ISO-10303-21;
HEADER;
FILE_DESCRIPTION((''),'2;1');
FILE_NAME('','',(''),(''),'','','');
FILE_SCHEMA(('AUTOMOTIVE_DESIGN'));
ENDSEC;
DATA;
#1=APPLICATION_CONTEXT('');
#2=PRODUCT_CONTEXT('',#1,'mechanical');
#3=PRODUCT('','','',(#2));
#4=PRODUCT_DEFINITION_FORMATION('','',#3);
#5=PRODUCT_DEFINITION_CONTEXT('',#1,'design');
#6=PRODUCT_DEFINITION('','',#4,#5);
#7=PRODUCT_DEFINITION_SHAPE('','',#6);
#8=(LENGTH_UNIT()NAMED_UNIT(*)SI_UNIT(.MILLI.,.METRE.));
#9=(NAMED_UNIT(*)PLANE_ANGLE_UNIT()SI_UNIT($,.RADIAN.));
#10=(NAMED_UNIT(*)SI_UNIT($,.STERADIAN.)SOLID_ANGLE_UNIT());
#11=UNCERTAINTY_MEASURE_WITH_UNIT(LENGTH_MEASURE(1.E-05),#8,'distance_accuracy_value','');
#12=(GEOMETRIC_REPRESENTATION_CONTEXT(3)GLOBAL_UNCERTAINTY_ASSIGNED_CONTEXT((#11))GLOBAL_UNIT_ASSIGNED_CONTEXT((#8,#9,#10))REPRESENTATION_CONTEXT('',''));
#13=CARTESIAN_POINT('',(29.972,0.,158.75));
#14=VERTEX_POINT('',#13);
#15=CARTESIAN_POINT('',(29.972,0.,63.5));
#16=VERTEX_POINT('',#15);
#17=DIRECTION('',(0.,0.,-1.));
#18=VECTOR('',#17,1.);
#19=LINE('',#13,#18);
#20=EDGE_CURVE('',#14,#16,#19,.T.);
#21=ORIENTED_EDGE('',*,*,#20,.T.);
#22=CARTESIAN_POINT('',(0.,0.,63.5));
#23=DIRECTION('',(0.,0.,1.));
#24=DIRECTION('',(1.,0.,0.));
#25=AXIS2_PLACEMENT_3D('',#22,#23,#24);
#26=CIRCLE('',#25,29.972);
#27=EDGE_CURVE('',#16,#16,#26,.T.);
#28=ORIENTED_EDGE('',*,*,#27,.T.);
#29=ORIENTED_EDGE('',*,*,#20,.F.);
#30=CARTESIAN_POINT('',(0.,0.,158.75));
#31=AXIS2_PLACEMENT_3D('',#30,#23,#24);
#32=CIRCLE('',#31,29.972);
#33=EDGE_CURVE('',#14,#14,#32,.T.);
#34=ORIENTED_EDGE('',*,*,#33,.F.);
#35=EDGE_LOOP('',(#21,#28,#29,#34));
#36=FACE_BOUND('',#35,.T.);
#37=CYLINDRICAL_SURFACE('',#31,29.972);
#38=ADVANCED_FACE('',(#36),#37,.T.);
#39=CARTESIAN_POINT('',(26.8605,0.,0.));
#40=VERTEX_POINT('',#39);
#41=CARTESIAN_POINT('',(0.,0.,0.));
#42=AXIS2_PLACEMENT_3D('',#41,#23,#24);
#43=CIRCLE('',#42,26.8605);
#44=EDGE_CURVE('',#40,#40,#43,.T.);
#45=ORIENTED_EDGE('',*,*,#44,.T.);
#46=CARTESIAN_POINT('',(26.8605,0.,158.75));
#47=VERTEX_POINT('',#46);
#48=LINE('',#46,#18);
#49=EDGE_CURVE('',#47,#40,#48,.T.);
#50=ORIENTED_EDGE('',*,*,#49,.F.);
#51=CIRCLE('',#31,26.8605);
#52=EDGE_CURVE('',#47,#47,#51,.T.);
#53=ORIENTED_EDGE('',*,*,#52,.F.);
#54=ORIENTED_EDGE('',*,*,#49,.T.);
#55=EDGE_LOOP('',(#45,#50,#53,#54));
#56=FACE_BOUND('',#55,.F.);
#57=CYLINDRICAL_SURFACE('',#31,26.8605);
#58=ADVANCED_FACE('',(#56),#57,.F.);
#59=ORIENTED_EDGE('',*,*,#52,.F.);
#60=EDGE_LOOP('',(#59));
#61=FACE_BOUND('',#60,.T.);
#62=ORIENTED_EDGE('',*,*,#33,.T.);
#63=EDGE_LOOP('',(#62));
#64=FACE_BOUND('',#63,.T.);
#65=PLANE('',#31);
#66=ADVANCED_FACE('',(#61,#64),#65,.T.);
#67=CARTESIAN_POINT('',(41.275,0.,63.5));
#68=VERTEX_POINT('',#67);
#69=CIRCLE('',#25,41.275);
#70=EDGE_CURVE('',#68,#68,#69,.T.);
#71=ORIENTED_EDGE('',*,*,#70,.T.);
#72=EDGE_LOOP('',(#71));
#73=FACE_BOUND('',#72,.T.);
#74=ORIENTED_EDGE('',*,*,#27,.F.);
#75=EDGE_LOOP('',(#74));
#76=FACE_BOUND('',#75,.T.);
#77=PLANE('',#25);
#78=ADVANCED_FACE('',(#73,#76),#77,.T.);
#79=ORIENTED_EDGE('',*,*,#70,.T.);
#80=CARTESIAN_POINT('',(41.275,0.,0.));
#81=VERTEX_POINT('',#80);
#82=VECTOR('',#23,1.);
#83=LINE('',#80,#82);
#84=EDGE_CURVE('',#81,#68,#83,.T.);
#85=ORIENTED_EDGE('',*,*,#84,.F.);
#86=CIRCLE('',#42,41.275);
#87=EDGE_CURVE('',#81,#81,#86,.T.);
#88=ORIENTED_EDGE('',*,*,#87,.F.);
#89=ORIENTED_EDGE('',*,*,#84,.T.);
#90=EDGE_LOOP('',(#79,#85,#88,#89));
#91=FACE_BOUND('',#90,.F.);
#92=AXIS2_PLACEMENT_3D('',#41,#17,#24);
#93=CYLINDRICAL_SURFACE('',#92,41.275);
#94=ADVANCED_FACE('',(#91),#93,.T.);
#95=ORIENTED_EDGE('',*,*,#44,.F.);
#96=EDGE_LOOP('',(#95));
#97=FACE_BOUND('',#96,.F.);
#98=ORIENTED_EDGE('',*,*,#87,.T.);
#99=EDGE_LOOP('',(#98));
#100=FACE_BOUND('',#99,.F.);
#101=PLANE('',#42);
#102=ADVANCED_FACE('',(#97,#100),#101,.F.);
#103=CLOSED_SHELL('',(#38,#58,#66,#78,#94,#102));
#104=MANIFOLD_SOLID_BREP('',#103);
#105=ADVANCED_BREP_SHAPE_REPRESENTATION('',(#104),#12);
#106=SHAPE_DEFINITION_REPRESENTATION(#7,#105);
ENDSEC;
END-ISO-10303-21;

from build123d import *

# Parameters (mm, degrees)
F0_R     = 41.275
F1_DEPTH = 158.75
F2_R     = 41.275
F2_R_2   = 29.972
F3_DEPTH = 95.25
F4_R     = 26.8605
F5_DEPTH = 158.751


with BuildPart() as f1:
    # F0 (on Top) → F1 (new body)
    with BuildSketch(Plane.XY):
        Circle(F0_R)
    extrude(amount=F1_DEPTH)

    # F2 (on face) → F3 (cut)
    with BuildSketch(Plane.XY.offset(158.75)):
        Circle(F2_R)
        Circle(F2_R_2, mode=Mode.SUBTRACT)
    extrude(amount=-F3_DEPTH, mode=Mode.SUBTRACT)

    # F4 (on face) → F5 (cut, through all)
    with BuildSketch(Plane.XY.offset(158.75)):
        Circle(F4_R)
    extrude(amount=-F5_DEPTH, mode=Mode.SUBTRACT)


solid = f1.part
